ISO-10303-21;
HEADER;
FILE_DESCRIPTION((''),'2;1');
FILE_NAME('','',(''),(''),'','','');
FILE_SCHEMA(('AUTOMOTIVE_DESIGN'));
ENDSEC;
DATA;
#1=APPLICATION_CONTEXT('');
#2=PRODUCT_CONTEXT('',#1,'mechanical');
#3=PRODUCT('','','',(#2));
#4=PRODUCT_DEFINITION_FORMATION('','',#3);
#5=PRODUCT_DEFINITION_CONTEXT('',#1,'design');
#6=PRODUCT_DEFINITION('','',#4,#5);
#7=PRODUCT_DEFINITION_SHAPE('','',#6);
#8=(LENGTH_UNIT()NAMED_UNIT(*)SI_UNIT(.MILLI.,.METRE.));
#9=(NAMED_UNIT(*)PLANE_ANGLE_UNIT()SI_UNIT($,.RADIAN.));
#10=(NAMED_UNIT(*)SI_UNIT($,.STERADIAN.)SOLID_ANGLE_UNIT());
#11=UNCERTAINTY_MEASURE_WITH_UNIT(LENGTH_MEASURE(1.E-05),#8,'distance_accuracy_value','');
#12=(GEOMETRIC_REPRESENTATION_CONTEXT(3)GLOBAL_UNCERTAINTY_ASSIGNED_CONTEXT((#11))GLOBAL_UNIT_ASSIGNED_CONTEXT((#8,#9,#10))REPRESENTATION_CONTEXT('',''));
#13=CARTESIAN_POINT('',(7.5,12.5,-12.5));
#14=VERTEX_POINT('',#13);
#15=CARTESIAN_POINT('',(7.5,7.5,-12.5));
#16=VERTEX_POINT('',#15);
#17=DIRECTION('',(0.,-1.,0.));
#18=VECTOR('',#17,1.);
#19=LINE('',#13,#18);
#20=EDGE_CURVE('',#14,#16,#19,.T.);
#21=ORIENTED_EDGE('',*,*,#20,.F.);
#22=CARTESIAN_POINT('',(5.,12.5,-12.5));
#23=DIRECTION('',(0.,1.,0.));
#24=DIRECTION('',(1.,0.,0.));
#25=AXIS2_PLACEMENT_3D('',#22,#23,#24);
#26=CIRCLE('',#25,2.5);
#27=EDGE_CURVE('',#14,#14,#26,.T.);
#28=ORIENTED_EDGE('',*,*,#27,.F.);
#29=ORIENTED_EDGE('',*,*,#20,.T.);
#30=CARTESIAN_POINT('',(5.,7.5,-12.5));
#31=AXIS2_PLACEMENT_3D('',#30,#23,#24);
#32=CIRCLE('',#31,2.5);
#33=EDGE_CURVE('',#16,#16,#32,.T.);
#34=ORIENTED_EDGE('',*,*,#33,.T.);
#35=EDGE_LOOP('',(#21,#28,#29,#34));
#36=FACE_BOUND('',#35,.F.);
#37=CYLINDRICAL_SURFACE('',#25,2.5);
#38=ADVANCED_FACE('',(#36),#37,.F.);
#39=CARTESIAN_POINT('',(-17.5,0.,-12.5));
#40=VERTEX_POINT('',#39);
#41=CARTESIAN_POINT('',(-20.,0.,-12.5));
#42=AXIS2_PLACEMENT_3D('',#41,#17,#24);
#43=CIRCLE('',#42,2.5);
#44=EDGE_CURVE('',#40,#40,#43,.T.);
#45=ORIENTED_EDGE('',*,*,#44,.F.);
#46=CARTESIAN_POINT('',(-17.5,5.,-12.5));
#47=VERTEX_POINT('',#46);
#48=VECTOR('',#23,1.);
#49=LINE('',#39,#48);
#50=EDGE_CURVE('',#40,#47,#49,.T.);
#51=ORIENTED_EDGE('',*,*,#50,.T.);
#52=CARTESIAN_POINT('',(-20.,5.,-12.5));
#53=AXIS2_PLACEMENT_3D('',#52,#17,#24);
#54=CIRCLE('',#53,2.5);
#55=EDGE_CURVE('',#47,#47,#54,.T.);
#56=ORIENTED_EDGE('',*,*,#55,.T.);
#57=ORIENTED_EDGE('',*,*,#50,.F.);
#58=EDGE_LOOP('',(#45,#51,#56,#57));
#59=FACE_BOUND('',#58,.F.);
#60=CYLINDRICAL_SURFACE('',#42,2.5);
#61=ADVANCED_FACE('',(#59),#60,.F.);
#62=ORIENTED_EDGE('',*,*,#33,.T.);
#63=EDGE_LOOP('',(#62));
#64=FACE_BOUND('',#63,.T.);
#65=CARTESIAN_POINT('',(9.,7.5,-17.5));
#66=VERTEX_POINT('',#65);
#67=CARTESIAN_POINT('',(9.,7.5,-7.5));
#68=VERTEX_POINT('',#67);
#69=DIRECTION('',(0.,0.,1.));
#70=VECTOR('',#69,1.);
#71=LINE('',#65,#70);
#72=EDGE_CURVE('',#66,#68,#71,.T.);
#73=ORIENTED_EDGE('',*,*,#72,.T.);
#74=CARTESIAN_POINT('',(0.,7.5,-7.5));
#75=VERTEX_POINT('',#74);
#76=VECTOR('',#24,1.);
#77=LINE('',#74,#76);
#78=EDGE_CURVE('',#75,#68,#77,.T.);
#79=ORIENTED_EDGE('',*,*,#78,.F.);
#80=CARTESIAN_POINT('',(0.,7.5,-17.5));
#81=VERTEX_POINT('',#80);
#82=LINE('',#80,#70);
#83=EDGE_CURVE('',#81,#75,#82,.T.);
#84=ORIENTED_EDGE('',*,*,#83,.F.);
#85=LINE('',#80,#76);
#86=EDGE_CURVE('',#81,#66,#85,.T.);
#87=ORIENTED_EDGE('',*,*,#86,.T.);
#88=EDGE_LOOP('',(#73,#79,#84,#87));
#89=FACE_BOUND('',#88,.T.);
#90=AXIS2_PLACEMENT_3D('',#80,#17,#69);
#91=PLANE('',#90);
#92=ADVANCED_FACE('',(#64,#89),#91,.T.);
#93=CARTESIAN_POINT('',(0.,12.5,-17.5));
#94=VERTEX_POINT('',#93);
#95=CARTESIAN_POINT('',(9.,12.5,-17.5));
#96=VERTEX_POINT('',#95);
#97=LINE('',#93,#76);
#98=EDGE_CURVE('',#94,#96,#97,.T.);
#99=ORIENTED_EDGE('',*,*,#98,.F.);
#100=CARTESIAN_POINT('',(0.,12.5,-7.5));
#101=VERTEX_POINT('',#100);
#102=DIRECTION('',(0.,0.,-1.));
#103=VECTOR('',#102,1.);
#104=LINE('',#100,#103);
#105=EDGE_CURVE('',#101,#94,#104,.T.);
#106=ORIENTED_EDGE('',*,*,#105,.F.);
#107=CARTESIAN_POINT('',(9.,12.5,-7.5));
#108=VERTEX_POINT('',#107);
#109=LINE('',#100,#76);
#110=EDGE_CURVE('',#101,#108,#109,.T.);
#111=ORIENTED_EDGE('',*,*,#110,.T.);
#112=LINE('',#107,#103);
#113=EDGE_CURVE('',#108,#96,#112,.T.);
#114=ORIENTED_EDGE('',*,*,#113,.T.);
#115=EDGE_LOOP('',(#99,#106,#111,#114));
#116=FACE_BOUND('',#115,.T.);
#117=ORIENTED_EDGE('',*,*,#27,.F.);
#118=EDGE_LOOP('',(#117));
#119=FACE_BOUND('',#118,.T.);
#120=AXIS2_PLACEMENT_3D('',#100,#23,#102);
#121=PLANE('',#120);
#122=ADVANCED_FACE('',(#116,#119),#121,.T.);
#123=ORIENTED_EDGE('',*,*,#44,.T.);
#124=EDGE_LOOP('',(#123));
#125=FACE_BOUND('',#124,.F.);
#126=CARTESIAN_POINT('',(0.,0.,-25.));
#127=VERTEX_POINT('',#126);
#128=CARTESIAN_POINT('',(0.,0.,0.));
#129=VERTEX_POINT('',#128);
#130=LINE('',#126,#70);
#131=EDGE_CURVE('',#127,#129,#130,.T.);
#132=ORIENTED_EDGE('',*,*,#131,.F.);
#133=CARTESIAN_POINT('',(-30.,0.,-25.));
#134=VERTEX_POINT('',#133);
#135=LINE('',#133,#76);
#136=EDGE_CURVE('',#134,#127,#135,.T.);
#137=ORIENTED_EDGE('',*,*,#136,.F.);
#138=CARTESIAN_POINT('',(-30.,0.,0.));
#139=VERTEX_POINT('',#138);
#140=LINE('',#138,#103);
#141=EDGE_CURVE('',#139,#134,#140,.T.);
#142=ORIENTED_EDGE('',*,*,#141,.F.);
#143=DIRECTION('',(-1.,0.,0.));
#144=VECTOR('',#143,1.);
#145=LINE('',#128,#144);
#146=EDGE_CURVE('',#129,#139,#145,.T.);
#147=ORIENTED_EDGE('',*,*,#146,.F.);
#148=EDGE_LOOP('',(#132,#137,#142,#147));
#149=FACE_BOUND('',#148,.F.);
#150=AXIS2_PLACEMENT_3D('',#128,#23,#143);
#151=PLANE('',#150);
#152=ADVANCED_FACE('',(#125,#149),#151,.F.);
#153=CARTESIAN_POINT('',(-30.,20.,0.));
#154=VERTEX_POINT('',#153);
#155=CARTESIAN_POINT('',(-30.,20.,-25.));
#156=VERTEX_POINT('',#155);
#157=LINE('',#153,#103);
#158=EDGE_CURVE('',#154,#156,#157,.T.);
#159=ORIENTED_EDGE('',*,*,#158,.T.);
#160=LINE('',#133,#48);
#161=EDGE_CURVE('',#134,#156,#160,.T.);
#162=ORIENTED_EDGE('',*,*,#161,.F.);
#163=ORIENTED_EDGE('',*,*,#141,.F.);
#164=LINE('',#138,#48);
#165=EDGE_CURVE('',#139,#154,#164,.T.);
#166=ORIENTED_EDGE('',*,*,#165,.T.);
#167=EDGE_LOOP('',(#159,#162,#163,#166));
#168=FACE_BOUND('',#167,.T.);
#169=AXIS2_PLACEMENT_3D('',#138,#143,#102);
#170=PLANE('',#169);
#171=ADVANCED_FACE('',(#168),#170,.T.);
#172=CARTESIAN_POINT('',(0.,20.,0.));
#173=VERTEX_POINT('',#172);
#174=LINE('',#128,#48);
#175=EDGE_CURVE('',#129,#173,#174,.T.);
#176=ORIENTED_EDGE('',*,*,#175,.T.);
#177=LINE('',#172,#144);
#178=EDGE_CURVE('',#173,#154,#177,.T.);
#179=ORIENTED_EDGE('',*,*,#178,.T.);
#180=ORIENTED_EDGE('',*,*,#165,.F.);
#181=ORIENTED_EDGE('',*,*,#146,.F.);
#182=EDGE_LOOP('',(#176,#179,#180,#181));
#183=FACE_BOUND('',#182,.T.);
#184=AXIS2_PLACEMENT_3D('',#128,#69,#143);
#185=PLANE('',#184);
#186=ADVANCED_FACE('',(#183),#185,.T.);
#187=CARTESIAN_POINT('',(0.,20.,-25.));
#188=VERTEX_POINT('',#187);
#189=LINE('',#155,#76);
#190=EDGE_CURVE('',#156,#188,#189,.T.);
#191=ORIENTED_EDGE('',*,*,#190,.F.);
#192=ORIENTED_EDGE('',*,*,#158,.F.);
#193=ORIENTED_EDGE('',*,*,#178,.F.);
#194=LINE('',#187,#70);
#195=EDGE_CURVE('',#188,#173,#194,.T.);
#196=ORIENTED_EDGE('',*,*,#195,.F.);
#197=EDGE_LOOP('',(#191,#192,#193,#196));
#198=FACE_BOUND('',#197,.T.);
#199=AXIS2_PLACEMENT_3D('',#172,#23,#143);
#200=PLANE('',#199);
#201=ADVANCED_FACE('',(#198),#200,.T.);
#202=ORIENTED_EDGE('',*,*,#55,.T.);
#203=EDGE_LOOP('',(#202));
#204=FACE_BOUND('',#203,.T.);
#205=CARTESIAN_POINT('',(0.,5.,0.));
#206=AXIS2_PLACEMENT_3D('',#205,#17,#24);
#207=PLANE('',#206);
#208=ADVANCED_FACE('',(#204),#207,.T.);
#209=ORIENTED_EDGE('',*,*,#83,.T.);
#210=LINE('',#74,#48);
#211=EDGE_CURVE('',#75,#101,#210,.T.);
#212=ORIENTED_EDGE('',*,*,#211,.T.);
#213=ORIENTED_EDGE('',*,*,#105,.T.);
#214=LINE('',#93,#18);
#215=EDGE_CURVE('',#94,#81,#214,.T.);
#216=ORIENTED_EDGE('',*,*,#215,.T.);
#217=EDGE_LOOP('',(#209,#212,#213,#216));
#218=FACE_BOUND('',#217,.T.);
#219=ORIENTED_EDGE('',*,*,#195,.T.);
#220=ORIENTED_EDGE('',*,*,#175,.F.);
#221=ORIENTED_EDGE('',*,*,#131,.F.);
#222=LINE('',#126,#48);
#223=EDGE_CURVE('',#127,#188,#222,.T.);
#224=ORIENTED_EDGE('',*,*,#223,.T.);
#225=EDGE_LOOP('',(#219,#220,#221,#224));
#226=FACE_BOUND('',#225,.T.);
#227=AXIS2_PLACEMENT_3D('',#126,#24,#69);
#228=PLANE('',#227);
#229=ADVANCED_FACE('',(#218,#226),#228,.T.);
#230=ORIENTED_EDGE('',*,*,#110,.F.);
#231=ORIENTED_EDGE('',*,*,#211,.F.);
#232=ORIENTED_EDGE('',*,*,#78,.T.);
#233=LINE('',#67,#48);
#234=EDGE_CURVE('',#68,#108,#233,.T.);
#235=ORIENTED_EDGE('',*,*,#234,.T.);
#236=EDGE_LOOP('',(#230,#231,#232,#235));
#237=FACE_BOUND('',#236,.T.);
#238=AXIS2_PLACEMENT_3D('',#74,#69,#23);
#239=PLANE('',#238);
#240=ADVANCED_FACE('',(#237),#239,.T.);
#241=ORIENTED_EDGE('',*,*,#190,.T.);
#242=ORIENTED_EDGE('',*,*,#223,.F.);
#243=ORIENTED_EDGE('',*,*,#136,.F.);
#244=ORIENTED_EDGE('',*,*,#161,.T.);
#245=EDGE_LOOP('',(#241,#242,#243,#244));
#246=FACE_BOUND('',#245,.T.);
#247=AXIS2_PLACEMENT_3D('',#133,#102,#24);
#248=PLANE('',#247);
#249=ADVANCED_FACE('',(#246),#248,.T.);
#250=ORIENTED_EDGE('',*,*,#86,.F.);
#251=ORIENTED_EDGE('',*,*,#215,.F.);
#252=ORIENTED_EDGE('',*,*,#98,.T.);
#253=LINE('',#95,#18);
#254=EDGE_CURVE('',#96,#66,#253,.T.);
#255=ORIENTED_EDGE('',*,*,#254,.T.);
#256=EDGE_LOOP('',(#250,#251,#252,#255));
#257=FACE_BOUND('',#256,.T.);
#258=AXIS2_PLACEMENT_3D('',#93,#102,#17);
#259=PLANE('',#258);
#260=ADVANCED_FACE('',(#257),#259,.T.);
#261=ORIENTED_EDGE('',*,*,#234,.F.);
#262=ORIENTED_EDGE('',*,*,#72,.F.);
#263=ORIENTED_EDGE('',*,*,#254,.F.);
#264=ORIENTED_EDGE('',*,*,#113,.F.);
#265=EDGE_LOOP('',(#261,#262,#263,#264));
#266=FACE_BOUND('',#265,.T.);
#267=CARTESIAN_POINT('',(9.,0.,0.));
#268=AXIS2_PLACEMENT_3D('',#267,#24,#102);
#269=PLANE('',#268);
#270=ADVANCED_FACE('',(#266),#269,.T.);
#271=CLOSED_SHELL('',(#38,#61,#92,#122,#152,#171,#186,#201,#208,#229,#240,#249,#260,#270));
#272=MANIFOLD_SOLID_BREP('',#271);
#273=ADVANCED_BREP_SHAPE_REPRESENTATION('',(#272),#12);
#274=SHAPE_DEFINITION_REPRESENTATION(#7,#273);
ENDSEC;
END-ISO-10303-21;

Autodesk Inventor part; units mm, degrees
ref_plane "YZ Plane" through (0, 0, 0) normal (1, 0, 0) x (0, 1, 0)
ref_plane "XZ Plane" through (0, 0, 0) normal (0, 1, 0) x (-1, 0, 0)
ref_plane "XY Plane" through (0, 0, 0) normal (0, 0, 1) x (1, 0, 0)
sketch "Sketch1" plane through (0, 0, 0) normal (0, 1, 0) x (-1, 0, 0)
  line L0 (0, 0) -> (30, 0)
  line L1 (30, 0) -> (30, -25)
  line L2 (30, -25) -> (0, -25)
  line L3 (0, -25) -> (0, 0)
  dimension "d0" = 30
  dimension "d1" = 25
extrude "Extrusion1" add sketch "Sketch1" along normal blind 20
sketch "Sketch2" plane through (0, 0, 0) normal (0, -1, 0) x (1, 0, 0)
  circle A0 centre (-20, -12.5) radius 2.5
  line L0 (0, 0) -> (0, -25) projected
  point P0 (0, -12.5)
  dimension "d4" = 5
  dimension "d15" = 20
extrude "Extrusion2" cut sketch "Sketch2" against normal blind 5
sketch "Sketch3" plane through (0, 0, 0) normal (1, 0, 0) x (0, 0, -1)
  line L0 (17.5, 7.5) -> (7.5, 7.5)
  line L1 (7.5, 7.5) -> (7.5, 12.5)
  line L2 (7.5, 12.5) -> (17.5, 12.5)
  line L3 (17.5, 12.5) -> (17.5, 7.5)
  line L4 (17.5, 7.5) -> (7.5, 12.5) construction
  line L5 (7.5, 7.5) -> (17.5, 12.5) construction
  point P0 (0, 0)
  point P1 (12.5, 10)
  dimension "d7" = 10
  dimension "d8" = 5
extrude "Extrusion3" add sketch "Sketch3" along normal blind 9
sketch "Sketch4" plane through (0, 12.5, -7.5) normal (0, 1, 0) x (1, 0, 0)
  circle A0 centre (5, 5) radius 2.5
  line L0 (0, -7.5) -> (0, 17.5) projected
  dimension "d11" = 5
  dimension "d14" = 5
extrude "Extrusion4" cut sketch "Sketch4" against normal through all
properties part number "head"
